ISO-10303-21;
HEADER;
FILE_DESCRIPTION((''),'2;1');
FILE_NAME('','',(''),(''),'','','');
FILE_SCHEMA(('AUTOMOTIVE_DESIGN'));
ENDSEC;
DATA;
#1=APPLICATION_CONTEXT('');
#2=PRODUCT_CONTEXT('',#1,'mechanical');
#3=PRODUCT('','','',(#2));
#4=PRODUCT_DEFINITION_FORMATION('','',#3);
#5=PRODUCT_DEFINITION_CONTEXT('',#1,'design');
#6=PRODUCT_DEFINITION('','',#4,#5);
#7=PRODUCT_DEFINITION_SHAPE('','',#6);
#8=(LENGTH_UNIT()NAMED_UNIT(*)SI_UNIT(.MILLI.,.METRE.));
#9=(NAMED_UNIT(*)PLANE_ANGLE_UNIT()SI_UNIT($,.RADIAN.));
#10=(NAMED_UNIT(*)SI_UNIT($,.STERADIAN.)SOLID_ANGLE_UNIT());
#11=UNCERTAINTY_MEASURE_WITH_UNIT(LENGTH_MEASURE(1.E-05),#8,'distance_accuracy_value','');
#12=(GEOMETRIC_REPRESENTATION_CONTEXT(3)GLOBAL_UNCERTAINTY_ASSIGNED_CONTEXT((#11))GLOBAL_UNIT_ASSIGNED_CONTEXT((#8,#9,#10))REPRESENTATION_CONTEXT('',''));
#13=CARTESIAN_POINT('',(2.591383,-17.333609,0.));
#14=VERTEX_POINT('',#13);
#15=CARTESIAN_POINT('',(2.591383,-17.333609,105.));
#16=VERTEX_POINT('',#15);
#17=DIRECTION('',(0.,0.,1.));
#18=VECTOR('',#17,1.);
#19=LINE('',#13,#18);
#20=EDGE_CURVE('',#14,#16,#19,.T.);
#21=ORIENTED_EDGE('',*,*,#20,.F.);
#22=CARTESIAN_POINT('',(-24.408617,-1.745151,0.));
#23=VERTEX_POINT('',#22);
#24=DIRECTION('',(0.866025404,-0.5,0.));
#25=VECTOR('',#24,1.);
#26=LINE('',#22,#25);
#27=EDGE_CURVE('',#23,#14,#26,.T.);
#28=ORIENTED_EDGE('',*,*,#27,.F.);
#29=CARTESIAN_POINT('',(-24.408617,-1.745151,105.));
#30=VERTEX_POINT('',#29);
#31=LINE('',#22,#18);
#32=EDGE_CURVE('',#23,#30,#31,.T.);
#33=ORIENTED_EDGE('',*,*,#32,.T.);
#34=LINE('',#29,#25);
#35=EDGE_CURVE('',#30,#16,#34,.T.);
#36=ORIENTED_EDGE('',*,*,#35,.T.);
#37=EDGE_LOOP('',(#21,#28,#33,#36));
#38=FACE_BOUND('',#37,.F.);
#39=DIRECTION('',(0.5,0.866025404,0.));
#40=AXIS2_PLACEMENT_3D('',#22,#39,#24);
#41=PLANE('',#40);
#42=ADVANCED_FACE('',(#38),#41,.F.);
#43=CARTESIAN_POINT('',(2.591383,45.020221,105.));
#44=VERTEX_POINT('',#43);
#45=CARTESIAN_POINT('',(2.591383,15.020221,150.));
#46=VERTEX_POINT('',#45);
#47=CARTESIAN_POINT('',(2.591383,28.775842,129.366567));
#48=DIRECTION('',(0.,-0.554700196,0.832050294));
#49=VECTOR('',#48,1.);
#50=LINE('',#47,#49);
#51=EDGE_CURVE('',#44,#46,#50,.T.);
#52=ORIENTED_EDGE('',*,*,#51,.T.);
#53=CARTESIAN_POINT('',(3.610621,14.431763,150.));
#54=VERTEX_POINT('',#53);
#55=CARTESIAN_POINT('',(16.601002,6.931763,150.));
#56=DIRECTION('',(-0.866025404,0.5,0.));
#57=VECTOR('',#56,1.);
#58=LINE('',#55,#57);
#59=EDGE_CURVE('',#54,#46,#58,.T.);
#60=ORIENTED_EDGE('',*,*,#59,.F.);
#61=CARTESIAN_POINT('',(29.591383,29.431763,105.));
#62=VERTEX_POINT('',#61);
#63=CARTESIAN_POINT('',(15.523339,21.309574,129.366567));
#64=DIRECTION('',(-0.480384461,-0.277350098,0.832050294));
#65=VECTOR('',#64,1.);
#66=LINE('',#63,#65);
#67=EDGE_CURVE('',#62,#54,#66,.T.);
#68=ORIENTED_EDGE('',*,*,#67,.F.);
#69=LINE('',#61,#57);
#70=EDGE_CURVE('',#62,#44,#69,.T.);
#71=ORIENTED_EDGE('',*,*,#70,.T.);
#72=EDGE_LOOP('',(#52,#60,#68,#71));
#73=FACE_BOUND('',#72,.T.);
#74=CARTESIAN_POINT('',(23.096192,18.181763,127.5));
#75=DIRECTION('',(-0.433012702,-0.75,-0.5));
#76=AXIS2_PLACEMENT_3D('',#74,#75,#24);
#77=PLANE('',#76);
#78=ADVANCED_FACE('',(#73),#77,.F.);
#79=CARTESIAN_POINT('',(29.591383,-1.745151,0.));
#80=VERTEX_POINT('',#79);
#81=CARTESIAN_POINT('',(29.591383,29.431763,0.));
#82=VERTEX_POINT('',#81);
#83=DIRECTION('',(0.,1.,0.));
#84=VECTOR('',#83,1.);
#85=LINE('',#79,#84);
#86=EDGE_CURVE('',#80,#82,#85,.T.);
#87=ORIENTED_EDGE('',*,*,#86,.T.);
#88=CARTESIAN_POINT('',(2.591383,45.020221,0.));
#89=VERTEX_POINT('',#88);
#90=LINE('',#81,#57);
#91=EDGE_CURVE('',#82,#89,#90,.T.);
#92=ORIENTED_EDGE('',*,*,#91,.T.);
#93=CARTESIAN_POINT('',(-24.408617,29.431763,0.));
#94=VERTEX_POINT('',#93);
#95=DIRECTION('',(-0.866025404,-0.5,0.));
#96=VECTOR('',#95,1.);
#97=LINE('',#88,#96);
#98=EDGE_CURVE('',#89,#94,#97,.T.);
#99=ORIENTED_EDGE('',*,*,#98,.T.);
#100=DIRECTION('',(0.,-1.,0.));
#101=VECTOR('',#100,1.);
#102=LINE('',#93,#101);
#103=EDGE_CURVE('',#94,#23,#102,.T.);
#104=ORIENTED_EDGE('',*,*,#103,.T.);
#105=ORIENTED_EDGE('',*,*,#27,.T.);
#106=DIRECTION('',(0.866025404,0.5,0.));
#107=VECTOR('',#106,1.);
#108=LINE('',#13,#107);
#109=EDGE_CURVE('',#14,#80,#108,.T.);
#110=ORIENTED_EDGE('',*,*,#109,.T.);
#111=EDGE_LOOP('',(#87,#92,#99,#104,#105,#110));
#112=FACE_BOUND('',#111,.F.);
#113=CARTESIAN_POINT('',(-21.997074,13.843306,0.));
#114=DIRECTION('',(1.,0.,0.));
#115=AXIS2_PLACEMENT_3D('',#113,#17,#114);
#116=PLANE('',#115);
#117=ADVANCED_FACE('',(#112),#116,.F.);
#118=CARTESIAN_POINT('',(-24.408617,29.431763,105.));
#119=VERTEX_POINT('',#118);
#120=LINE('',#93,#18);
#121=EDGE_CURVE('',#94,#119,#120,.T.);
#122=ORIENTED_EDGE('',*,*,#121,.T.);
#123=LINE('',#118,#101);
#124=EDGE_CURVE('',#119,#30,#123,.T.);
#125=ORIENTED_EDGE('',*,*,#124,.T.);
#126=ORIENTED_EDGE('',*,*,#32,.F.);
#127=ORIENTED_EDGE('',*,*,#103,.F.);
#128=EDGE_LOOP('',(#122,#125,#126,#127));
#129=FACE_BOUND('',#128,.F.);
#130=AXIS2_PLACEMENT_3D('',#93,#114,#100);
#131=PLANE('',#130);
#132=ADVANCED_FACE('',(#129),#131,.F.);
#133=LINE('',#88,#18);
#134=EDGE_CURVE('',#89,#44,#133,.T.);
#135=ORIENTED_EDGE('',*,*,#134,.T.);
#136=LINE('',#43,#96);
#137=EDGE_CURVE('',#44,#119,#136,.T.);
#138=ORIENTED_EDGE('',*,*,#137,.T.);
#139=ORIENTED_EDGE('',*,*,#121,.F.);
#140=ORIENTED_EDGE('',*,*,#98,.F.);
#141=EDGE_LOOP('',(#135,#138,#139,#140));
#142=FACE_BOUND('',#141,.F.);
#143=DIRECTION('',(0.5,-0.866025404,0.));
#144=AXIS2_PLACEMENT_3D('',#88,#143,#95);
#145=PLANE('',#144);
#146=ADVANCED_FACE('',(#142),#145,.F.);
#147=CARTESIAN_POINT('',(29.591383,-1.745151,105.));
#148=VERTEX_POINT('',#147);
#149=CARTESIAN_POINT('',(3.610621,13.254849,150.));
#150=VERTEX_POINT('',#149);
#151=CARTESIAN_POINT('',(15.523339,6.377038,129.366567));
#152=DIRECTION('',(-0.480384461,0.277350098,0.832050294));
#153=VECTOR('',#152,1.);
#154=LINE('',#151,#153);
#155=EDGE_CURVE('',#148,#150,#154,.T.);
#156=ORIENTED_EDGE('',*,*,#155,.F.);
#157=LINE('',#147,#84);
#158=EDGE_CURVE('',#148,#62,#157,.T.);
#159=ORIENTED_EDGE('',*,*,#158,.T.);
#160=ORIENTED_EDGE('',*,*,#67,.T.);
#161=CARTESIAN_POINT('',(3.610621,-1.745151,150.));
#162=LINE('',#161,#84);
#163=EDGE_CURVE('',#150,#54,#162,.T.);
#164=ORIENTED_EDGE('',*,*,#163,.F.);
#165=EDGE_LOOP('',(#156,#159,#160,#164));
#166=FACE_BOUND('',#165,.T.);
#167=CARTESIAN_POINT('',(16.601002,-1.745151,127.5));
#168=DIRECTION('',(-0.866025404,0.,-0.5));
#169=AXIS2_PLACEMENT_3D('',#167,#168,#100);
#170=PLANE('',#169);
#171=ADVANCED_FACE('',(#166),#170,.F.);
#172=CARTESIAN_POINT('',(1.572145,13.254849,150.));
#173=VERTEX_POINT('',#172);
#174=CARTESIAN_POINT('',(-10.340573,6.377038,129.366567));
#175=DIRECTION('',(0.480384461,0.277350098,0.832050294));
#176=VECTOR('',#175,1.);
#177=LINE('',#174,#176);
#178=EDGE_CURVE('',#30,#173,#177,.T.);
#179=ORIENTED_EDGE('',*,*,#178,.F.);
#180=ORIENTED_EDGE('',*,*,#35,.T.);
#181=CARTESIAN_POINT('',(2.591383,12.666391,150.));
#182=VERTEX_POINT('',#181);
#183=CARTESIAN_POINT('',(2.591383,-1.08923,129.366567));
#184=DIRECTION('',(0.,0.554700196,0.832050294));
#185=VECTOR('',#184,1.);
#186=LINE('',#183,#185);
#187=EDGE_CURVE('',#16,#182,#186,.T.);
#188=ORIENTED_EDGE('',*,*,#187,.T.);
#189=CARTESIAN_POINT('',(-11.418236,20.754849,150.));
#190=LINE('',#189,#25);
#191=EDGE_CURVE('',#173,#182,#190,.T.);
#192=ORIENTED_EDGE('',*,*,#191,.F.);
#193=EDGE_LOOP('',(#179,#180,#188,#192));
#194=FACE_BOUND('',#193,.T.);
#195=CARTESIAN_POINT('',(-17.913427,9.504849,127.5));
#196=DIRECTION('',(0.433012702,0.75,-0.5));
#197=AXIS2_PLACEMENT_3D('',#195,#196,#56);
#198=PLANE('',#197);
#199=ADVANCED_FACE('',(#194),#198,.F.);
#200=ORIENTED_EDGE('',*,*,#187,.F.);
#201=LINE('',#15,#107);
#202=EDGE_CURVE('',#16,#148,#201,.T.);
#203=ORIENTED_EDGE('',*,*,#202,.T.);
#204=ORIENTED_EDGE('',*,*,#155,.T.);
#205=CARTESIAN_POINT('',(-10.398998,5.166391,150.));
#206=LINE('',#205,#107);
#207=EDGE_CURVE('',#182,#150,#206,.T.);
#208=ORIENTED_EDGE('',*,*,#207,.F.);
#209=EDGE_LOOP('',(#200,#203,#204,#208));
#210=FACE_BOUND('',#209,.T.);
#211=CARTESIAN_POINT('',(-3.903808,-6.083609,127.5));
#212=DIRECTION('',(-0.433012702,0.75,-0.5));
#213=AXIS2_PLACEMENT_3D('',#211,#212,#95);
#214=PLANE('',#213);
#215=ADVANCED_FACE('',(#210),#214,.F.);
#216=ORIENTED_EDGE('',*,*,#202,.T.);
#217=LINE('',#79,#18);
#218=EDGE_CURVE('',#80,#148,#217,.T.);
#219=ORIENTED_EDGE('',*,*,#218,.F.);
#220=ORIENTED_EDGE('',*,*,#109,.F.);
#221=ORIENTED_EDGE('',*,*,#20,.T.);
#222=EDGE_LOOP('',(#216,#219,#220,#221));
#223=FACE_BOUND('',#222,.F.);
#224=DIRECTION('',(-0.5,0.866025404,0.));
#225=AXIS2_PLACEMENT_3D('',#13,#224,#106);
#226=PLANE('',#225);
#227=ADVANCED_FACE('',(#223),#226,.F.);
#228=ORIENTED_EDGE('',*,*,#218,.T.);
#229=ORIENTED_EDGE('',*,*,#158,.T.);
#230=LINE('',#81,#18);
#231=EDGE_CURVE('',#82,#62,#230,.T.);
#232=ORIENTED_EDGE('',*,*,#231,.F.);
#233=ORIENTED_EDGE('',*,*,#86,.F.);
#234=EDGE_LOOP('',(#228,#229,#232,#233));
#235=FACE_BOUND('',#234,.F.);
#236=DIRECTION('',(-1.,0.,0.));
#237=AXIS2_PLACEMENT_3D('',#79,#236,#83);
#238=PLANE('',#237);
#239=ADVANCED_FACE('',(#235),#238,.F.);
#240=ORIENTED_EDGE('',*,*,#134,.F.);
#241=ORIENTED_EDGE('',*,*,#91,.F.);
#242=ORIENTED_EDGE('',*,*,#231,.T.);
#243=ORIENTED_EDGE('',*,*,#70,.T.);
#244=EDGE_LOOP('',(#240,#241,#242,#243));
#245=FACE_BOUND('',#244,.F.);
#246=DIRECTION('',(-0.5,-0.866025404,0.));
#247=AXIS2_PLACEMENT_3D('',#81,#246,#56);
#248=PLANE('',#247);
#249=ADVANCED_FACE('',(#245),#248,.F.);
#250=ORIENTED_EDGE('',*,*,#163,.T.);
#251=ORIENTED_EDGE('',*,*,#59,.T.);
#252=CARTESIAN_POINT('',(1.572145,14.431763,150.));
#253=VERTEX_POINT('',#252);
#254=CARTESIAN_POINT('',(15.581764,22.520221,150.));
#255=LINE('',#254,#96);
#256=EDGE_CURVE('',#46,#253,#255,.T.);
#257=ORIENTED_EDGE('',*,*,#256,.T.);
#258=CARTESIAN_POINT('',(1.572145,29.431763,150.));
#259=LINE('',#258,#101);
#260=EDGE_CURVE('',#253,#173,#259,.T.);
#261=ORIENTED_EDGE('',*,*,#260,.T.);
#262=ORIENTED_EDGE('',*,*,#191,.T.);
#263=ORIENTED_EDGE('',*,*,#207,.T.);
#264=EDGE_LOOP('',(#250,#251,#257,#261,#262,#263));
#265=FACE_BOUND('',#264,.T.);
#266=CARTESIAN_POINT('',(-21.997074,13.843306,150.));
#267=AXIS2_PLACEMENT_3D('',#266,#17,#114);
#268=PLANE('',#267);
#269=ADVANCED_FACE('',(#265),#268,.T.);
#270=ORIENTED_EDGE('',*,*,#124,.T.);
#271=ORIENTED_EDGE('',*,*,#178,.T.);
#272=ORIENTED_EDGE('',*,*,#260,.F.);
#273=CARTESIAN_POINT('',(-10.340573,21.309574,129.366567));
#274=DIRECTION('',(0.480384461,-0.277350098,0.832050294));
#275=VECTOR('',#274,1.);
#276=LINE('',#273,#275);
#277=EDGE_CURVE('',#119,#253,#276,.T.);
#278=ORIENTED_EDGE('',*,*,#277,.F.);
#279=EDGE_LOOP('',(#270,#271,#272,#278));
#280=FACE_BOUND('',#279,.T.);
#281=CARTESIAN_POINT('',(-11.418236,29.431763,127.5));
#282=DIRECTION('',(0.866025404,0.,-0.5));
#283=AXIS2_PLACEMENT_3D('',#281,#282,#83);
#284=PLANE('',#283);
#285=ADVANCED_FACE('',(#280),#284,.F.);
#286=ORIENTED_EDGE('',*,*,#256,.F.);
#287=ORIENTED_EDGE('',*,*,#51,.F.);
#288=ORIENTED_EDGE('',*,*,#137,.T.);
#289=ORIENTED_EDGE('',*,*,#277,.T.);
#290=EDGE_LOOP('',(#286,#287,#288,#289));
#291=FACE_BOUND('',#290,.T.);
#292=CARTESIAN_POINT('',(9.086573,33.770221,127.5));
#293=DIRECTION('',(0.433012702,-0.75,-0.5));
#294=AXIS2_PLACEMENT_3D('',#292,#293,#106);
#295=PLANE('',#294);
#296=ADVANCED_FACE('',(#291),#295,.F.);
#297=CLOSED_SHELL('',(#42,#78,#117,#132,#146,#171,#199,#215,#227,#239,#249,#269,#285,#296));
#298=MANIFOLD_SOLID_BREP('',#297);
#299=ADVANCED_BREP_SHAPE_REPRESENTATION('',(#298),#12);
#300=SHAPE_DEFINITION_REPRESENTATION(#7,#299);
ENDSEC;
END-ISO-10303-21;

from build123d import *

# Parameters (mm, degrees)
F1_DEPTH = 150
F2_SIZE2 = 25.9807621135
F2_SIZE  = 45


with BuildPart() as f1:
    # F0 (on Top) → F1 (new body)
    with BuildSketch(Plane.XY):
        Polygon((-15.4086170788, 13.843306002), (-24.4086170788, 29.4317632701), (-24.4086170788, -1.7451512661), align=None)
        Polygon((2.5913829212, 45.0202205382), (-24.4086170788, 29.4317632701), (-6.4086170788, 29.4317632701), align=None)
        Polygon((-6.4086170788, 29.4317632701), (-24.4086170788, 29.4317632701), (-15.4086170788, 13.843306002), align=None)
        Polygon((29.5913829212, 29.4317632701), (2.5913829212, 45.0202205382), (11.5913829212, 29.4317632701), align=None)
        Polygon((11.5913829212, 29.4317632701), (2.5913829212, 45.0202205382), (-6.4086170788, 29.4317632701), align=None)
        Polygon((-6.4086170788, -1.7451512661), (-24.4086170788, -1.7451512661), (2.5913829212, -17.3336085342), align=None)
        Polygon((-15.4086170788, 13.843306002), (-24.4086170788, -1.7451512661), (-6.4086170788, -1.7451512661), align=None)
        Polygon((20.5913829212, 13.843306002), (29.5913829212, 29.4317632701), (11.5913829212, 29.4317632701), align=None)
        Polygon((29.5913829212, -1.7451512661), (29.5913829212, 29.4317632701), (20.5913829212, 13.843306002), align=None)
        Polygon((11.5913829212, -1.7451512661), (2.5913829212, -17.3336085342), (29.5913829212, -1.7451512661), align=None)
        Polygon((-6.4086170788, -1.7451512661), (2.5913829212, -17.3336085342), (11.5913829212, -1.7451512661), align=None)
        Polygon((11.5913829212, -1.7451512661), (29.5913829212, -1.7451512661), (20.5913829212, 13.843306002), align=None)
        Polygon((11.5913829212, 29.4317632701), (-6.4086170788, 29.4317632701), (-15.4086170788, 13.843306002), (-6.4086170788, -1.7451512661), (11.5913829212, -1.7451512661), (20.5913829212, 13.843306002), align=None)
    extrude(amount=F1_DEPTH)

    # F2
    f2_edges = [f1.edges().sort_by_distance(p)[0] for p in [
        (16.091383, -9.53938, 150),
        (29.591383, 13.843306, 150),
        (16.091383, 37.225992, 150),
        (-10.908617, 37.225992, 150),
        (-24.408617, 13.843306, 150),
        (-10.908617, -9.53938, 150),
    ]]
    chamfer(f2_edges, length=F2_SIZE, length2=F2_SIZE2)


solid = f1.part
